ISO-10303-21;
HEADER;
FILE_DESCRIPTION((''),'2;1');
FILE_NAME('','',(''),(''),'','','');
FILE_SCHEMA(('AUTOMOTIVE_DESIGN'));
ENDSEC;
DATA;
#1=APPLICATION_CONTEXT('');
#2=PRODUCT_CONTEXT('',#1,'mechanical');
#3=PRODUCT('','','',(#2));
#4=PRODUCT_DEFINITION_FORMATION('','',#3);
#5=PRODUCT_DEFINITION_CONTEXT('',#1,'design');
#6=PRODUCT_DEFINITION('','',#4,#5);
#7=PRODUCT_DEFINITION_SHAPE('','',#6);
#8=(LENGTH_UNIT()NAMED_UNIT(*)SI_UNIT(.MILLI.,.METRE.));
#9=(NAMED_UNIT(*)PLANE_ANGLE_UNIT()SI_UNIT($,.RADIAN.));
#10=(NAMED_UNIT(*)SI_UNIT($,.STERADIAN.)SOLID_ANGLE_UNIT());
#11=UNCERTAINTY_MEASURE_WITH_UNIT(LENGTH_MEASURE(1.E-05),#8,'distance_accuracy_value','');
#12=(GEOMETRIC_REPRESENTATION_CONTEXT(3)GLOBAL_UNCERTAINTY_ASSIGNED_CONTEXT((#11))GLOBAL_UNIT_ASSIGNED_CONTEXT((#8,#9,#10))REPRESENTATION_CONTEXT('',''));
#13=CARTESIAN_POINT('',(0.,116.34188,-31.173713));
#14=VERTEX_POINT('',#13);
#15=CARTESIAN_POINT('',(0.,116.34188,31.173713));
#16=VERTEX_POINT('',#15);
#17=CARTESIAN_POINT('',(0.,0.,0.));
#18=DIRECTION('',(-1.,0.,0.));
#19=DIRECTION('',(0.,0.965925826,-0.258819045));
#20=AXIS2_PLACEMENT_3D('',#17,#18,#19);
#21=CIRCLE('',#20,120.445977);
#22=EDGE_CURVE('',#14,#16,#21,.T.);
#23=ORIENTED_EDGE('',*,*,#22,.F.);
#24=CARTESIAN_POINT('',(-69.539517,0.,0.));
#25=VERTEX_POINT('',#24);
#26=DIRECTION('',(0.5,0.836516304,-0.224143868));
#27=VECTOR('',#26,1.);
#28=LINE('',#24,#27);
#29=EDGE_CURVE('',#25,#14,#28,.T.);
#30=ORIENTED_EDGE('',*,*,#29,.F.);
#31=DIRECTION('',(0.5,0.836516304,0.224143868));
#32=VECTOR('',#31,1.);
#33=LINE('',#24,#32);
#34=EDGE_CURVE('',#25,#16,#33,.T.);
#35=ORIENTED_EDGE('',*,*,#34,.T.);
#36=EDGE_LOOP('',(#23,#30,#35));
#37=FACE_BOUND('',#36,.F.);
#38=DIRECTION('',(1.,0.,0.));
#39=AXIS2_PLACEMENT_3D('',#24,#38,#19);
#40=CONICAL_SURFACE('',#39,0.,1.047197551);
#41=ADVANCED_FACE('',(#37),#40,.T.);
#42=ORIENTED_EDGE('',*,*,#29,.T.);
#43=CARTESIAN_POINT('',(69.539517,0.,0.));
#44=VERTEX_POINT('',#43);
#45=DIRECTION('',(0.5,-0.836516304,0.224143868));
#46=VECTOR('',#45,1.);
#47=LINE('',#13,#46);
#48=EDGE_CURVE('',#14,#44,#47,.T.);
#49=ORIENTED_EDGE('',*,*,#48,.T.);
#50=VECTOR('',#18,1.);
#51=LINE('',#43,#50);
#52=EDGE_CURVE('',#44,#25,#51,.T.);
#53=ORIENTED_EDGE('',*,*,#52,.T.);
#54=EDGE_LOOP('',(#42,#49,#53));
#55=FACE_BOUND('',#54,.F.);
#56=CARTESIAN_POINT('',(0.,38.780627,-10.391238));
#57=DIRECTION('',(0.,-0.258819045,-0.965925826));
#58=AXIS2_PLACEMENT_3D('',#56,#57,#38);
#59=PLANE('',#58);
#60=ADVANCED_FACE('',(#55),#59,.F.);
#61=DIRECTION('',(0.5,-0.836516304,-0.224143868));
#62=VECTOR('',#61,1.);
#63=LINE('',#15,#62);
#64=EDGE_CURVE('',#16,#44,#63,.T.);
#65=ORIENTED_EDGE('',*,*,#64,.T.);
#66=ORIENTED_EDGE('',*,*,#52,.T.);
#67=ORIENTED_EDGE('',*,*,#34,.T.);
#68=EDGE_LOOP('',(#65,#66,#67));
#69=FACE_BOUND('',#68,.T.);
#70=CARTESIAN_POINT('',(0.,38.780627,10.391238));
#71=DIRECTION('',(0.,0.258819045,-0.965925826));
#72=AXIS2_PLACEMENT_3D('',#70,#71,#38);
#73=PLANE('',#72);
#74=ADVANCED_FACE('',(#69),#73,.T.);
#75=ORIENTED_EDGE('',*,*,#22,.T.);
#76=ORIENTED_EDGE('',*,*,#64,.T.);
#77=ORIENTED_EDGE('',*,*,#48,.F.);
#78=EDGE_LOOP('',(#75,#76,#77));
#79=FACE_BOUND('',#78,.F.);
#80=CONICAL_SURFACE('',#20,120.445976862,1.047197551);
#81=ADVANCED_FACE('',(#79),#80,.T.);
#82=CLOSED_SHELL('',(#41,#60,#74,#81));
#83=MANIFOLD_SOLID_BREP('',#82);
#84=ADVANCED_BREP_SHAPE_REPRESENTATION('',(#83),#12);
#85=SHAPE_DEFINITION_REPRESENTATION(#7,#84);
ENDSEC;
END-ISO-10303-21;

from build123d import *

# Parameters (mm, degrees)
F1_ANGLE_BACK = 165
F1_ANGLE      = 330


with BuildPart() as f1:
    # F0 (on Top) → F1 (revolve)
    with BuildSketch(Plane.XY, mode=Mode.PRIVATE) as f1_sk:
        Polygon((69.5395171642, 0), (-69.5395171642, 0), (0, -120.4459768623), align=None)
    revolve(f1_sk.sketch.rotate(Axis((0, 0, 0), (-1, 0, 0)), -F1_ANGLE_BACK), axis=Axis((0, 0, 0), (-1, 0, 0)), revolution_arc=F1_ANGLE)


solid = f1.part
